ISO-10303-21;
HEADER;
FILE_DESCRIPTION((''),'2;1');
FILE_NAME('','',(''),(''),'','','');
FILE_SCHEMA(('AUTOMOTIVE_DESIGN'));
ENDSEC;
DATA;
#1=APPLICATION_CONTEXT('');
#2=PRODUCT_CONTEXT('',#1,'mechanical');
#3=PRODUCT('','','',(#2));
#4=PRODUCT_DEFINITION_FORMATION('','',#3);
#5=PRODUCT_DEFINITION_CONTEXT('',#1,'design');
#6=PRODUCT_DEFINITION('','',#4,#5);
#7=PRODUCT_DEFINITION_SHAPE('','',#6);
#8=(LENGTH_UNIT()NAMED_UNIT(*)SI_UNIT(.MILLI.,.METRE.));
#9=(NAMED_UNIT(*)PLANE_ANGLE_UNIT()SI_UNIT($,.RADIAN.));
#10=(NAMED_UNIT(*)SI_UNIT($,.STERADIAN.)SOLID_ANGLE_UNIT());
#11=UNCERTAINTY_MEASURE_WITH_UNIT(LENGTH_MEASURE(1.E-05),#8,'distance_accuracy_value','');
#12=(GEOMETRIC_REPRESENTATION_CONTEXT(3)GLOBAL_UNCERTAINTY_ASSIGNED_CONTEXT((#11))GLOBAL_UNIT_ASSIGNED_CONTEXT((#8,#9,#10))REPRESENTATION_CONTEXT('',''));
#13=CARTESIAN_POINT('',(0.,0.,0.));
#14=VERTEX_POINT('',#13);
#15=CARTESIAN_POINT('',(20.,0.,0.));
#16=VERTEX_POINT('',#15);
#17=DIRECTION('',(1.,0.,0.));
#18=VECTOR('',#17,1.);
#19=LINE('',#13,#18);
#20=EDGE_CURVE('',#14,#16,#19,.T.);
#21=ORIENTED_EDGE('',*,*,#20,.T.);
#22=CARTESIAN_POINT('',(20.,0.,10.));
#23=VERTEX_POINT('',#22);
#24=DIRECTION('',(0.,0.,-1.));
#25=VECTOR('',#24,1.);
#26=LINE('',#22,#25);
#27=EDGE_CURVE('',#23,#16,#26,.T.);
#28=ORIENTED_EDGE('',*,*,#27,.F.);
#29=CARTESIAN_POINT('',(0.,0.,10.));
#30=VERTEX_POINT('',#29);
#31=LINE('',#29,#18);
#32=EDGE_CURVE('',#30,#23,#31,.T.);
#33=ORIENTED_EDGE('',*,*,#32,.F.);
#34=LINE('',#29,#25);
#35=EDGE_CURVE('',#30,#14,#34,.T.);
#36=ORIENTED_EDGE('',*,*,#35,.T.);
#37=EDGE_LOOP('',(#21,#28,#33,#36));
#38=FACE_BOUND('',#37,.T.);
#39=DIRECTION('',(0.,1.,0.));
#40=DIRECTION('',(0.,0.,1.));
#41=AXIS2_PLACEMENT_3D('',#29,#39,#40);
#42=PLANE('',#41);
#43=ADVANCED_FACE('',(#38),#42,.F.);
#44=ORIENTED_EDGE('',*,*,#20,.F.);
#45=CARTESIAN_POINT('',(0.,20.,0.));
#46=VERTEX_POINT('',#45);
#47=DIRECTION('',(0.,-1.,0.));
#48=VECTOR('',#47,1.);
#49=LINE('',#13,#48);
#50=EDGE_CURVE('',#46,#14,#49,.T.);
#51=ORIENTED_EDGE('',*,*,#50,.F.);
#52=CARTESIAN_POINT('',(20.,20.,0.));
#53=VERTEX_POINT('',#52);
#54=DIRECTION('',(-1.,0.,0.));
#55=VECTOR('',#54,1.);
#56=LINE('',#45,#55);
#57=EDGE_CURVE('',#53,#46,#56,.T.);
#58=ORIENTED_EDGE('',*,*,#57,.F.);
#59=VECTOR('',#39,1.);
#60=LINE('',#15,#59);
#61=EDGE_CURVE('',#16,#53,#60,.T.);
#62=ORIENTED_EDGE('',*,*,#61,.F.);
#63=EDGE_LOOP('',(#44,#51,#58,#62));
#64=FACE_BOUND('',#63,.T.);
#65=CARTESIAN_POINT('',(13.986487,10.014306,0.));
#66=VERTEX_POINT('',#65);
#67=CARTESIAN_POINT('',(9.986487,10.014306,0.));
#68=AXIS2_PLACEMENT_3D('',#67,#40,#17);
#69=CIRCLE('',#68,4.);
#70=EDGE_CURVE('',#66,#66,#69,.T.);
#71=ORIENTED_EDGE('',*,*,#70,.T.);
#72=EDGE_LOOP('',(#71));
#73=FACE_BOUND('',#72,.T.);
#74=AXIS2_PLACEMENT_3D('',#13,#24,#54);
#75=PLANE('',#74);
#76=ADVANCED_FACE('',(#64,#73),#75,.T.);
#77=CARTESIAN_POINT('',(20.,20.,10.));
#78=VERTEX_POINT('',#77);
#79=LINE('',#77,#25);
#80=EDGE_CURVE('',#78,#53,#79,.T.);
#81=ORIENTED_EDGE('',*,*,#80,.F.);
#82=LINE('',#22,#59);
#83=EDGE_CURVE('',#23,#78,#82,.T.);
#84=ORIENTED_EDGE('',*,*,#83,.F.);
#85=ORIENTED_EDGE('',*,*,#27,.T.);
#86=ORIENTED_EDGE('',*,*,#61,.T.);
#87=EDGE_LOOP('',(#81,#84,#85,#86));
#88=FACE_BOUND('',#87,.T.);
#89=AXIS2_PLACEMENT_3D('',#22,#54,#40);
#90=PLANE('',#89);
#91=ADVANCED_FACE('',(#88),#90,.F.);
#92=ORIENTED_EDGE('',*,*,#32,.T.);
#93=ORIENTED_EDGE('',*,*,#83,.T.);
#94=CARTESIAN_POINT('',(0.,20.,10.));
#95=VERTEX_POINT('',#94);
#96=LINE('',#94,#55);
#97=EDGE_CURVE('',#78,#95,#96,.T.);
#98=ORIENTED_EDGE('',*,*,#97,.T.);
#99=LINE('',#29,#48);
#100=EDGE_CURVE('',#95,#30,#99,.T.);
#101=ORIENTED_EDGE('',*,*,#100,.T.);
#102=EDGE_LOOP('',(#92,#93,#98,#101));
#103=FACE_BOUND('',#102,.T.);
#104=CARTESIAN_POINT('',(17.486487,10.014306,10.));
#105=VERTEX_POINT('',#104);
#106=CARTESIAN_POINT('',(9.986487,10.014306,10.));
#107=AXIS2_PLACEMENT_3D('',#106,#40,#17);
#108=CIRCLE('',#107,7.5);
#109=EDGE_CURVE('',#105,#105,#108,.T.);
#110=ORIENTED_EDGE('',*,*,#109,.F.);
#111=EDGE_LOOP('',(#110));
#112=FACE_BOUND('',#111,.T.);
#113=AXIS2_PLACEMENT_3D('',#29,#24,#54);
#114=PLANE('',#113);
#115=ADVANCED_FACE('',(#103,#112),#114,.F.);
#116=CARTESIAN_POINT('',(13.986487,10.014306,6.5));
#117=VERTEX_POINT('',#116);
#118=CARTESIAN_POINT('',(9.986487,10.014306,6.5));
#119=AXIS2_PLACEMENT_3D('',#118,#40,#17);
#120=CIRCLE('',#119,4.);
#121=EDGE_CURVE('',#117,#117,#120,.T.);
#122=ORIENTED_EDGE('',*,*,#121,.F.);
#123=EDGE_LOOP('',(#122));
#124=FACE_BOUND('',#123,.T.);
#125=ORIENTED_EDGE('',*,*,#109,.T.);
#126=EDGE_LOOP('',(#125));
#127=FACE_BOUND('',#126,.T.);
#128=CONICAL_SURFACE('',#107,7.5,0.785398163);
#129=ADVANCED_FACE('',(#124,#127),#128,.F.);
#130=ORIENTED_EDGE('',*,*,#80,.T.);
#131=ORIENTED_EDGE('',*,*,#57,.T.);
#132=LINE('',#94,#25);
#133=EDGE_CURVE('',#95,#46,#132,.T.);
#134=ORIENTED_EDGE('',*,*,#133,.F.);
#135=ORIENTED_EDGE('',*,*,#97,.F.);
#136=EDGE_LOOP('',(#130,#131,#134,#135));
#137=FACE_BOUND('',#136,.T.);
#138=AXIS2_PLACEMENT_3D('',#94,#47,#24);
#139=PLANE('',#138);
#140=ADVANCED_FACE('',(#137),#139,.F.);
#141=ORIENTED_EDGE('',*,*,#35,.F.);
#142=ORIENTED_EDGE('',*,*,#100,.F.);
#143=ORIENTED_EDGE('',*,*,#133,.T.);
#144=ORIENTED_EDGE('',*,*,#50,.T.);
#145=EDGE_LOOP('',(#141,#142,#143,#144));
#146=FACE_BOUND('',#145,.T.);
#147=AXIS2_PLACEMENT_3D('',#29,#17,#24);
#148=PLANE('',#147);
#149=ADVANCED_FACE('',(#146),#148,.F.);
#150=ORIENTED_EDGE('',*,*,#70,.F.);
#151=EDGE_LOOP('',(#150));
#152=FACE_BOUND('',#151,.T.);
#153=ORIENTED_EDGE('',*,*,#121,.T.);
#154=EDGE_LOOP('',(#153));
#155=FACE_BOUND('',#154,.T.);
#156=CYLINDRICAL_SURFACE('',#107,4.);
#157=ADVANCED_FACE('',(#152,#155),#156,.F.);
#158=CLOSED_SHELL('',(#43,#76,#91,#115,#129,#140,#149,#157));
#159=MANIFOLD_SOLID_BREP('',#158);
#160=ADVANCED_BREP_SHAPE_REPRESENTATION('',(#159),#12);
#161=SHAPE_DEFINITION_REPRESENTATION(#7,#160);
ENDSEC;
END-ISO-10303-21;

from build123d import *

# Parameters (mm, degrees)
SKETCH_1_W                          = 20
SKETCH_1_H                          = 20
BASEBOX_DEPTH                       = 10
HOLE_CS_ISO_FLATHEAD_M8_D           = 8
HOLE_CS_ISO_FLATHEAD_M8_CSINK_D     = 15
HOLE_CS_ISO_FLATHEAD_M8_CSINK_ANGLE = 90


with BuildPart() as part:
    # 草图1 → BaseBox (new body)
    with BuildSketch(Plane.XY):
        with Locations((10, 10)):
            Rectangle(SKETCH_1_W, SKETCH_1_H)
    extrude(amount=BASEBOX_DEPTH)

    # Hole_cs_iso_flathead_m8 (through all)
    with Locations(Plane.XY.offset(10)):
        with Locations((9.986487375, 10.014305599)):
            CounterSinkHole(HOLE_CS_ISO_FLATHEAD_M8_D / 2, HOLE_CS_ISO_FLATHEAD_M8_CSINK_D / 2, counter_sink_angle=HOLE_CS_ISO_FLATHEAD_M8_CSINK_ANGLE)


solid = part.part
